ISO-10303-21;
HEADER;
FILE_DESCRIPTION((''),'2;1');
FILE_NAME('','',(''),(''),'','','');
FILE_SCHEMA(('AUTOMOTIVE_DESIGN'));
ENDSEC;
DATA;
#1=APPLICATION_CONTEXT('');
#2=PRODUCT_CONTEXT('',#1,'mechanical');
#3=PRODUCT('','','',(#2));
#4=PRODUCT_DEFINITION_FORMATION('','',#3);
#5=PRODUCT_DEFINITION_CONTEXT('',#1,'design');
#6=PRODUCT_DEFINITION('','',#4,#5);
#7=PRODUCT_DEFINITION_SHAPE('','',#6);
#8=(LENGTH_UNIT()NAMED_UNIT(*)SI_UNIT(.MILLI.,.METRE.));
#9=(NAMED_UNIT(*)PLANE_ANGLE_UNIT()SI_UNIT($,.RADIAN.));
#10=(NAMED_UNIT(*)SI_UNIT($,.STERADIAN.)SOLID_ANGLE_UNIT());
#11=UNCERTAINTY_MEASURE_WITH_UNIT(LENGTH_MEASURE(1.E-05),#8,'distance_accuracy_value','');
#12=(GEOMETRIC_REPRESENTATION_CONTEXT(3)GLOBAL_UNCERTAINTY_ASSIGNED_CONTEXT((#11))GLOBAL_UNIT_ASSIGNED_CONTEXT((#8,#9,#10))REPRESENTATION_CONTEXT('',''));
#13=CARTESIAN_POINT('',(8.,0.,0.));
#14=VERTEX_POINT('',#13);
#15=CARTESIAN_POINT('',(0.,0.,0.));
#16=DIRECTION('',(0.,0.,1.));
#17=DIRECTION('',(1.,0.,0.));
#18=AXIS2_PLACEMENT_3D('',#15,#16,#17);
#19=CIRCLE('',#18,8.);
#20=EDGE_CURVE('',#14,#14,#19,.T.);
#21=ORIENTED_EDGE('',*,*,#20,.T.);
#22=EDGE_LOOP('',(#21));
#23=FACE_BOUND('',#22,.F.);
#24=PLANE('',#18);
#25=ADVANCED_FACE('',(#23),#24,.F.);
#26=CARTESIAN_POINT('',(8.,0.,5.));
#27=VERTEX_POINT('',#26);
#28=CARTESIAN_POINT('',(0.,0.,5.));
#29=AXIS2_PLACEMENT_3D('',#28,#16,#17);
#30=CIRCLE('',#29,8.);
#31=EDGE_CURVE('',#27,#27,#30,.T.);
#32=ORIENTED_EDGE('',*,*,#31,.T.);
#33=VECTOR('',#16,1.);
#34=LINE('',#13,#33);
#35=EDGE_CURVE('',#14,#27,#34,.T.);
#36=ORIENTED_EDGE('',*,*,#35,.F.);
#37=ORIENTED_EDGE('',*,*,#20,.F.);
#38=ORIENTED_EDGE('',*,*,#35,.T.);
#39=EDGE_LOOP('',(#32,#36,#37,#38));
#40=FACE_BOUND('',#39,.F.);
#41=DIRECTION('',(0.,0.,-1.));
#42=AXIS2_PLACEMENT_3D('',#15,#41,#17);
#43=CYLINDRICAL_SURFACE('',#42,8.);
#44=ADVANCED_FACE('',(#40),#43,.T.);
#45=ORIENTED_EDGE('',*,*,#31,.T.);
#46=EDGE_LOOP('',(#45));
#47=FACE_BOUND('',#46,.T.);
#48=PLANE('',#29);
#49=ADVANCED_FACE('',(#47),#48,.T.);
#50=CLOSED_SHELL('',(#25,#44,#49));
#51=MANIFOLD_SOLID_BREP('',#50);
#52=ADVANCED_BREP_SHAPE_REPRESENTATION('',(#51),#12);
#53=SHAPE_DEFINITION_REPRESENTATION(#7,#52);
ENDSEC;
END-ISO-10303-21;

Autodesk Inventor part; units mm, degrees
ref_plane "YZ Plane" through (0, 0, 0) normal (1, 0, 0) x (0, 1, 0)
ref_plane "XZ Plane" through (0, 0, 0) normal (0, 1, 0) x (-1, 0, 0)
ref_plane "XY Plane" through (0, 0, 0) normal (0, 0, 1) x (1, 0, 0)
sketch "草图1" plane through (0, 0, 0) normal (0, 0, 1) x (1, 0, 0)
  circle A0 centre (0, 0) radius 8
  dimension "d0" = 16
extrude "拉伸1" add sketch "草图1" along normal blind 5
properties part number "皮带轮"
